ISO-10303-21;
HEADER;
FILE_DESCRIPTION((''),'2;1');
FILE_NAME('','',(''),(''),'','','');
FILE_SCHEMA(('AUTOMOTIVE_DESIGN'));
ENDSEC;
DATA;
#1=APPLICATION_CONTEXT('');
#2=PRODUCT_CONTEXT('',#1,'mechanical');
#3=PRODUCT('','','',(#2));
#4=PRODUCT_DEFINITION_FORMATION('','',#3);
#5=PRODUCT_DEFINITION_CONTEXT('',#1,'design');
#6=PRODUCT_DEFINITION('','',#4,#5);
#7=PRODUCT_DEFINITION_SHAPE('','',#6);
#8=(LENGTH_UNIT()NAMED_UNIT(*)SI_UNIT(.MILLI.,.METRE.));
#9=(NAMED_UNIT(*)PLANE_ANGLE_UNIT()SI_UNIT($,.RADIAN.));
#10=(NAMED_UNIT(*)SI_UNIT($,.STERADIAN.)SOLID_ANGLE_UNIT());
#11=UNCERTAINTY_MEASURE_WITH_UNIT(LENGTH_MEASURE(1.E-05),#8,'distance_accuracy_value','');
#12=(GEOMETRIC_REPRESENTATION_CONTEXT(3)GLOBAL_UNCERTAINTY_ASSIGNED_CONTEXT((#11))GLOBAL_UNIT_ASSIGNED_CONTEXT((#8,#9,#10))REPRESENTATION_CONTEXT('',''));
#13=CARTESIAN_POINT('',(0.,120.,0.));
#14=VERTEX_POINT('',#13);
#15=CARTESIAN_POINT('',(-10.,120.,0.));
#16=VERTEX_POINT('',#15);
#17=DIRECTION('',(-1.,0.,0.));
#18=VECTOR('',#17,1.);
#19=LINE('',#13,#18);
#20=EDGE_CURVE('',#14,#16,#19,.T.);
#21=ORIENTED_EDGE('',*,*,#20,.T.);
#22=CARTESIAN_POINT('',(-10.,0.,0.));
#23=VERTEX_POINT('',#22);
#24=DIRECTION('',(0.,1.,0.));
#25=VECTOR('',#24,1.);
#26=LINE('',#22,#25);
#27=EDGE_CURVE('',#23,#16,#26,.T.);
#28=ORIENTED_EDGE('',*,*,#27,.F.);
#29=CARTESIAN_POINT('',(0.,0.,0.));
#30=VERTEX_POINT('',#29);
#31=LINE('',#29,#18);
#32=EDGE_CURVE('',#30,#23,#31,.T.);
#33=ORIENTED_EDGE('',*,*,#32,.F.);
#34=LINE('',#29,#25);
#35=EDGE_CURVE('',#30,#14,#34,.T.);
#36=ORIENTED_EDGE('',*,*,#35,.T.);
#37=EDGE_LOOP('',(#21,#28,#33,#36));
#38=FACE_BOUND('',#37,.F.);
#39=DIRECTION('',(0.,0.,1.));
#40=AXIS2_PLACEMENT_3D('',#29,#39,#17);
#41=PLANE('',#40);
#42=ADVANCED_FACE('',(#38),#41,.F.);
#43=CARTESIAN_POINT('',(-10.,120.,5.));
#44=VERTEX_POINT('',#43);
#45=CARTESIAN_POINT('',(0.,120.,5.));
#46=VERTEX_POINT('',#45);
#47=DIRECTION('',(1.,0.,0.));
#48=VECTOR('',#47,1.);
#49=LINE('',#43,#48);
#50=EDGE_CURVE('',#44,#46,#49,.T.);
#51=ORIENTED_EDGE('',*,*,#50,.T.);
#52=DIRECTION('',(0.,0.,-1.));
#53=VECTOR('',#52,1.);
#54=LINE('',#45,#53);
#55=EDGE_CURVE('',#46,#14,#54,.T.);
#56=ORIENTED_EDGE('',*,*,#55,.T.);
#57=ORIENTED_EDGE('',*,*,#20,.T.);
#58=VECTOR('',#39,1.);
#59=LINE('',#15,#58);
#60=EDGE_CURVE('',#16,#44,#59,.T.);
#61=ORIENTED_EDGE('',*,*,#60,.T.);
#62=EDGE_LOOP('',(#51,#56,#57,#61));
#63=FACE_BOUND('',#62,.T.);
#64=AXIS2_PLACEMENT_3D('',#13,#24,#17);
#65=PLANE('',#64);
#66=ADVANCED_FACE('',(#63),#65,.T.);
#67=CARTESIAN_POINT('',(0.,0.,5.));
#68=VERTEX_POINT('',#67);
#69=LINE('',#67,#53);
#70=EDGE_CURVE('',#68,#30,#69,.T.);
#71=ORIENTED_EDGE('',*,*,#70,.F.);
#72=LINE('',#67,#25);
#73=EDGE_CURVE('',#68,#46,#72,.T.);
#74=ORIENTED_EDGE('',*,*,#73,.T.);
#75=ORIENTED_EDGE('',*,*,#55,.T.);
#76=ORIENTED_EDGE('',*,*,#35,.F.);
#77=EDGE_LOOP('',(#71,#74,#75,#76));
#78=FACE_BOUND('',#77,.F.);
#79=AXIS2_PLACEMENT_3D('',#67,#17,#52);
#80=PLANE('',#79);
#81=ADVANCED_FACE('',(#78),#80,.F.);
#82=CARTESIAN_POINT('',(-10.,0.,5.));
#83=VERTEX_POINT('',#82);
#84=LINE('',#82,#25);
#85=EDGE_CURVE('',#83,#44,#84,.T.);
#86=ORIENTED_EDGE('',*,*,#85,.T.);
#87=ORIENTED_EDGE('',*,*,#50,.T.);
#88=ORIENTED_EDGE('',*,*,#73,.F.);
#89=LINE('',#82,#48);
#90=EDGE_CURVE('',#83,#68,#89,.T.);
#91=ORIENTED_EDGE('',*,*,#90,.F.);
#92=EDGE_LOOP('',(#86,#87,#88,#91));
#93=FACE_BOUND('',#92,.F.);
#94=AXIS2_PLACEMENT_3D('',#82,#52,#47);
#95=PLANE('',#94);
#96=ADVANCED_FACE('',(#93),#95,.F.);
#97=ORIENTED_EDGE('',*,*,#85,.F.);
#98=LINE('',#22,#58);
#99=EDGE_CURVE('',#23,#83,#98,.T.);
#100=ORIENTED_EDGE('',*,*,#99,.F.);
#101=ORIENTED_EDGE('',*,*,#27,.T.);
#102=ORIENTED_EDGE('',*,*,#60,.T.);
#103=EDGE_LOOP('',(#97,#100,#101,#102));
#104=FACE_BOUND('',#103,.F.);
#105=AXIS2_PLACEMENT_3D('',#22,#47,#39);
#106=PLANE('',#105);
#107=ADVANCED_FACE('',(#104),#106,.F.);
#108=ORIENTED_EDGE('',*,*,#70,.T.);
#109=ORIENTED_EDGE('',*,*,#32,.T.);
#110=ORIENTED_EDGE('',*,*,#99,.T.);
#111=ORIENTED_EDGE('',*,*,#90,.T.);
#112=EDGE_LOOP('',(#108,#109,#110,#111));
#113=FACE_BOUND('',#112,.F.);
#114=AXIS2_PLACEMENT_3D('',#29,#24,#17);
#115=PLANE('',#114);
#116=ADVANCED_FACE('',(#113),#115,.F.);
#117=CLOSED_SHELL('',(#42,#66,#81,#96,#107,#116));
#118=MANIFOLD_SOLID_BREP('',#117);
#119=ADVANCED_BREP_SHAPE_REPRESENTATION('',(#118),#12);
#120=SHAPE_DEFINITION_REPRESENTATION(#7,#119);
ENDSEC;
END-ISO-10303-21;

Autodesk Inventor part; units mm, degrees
ref_plane "YZ Plane" through (0, 0, 0) normal (1, 0, 0) x (0, 1, 0)
ref_plane "XZ Plane" through (0, 0, 0) normal (0, 1, 0) x (-1, 0, 0)
ref_plane "XY Plane" through (0, 0, 0) normal (0, 0, 1) x (1, 0, 0)
sketch "Sketch1" plane through (0, 0, 0) normal (0, 1, 0) x (-1, 0, 0)
  line L0 (0, 0) -> (10, 0)
  line L1 (10, 0) -> (10, 5)
  line L2 (10, 5) -> (0, 5)
  line L3 (0, 5) -> (0, 0)
  dimension "d0" = 10
  dimension "d1" = 5
extrude "Extrusion1" add sketch "Sketch1" along normal blind 120
properties part number "Pole"
